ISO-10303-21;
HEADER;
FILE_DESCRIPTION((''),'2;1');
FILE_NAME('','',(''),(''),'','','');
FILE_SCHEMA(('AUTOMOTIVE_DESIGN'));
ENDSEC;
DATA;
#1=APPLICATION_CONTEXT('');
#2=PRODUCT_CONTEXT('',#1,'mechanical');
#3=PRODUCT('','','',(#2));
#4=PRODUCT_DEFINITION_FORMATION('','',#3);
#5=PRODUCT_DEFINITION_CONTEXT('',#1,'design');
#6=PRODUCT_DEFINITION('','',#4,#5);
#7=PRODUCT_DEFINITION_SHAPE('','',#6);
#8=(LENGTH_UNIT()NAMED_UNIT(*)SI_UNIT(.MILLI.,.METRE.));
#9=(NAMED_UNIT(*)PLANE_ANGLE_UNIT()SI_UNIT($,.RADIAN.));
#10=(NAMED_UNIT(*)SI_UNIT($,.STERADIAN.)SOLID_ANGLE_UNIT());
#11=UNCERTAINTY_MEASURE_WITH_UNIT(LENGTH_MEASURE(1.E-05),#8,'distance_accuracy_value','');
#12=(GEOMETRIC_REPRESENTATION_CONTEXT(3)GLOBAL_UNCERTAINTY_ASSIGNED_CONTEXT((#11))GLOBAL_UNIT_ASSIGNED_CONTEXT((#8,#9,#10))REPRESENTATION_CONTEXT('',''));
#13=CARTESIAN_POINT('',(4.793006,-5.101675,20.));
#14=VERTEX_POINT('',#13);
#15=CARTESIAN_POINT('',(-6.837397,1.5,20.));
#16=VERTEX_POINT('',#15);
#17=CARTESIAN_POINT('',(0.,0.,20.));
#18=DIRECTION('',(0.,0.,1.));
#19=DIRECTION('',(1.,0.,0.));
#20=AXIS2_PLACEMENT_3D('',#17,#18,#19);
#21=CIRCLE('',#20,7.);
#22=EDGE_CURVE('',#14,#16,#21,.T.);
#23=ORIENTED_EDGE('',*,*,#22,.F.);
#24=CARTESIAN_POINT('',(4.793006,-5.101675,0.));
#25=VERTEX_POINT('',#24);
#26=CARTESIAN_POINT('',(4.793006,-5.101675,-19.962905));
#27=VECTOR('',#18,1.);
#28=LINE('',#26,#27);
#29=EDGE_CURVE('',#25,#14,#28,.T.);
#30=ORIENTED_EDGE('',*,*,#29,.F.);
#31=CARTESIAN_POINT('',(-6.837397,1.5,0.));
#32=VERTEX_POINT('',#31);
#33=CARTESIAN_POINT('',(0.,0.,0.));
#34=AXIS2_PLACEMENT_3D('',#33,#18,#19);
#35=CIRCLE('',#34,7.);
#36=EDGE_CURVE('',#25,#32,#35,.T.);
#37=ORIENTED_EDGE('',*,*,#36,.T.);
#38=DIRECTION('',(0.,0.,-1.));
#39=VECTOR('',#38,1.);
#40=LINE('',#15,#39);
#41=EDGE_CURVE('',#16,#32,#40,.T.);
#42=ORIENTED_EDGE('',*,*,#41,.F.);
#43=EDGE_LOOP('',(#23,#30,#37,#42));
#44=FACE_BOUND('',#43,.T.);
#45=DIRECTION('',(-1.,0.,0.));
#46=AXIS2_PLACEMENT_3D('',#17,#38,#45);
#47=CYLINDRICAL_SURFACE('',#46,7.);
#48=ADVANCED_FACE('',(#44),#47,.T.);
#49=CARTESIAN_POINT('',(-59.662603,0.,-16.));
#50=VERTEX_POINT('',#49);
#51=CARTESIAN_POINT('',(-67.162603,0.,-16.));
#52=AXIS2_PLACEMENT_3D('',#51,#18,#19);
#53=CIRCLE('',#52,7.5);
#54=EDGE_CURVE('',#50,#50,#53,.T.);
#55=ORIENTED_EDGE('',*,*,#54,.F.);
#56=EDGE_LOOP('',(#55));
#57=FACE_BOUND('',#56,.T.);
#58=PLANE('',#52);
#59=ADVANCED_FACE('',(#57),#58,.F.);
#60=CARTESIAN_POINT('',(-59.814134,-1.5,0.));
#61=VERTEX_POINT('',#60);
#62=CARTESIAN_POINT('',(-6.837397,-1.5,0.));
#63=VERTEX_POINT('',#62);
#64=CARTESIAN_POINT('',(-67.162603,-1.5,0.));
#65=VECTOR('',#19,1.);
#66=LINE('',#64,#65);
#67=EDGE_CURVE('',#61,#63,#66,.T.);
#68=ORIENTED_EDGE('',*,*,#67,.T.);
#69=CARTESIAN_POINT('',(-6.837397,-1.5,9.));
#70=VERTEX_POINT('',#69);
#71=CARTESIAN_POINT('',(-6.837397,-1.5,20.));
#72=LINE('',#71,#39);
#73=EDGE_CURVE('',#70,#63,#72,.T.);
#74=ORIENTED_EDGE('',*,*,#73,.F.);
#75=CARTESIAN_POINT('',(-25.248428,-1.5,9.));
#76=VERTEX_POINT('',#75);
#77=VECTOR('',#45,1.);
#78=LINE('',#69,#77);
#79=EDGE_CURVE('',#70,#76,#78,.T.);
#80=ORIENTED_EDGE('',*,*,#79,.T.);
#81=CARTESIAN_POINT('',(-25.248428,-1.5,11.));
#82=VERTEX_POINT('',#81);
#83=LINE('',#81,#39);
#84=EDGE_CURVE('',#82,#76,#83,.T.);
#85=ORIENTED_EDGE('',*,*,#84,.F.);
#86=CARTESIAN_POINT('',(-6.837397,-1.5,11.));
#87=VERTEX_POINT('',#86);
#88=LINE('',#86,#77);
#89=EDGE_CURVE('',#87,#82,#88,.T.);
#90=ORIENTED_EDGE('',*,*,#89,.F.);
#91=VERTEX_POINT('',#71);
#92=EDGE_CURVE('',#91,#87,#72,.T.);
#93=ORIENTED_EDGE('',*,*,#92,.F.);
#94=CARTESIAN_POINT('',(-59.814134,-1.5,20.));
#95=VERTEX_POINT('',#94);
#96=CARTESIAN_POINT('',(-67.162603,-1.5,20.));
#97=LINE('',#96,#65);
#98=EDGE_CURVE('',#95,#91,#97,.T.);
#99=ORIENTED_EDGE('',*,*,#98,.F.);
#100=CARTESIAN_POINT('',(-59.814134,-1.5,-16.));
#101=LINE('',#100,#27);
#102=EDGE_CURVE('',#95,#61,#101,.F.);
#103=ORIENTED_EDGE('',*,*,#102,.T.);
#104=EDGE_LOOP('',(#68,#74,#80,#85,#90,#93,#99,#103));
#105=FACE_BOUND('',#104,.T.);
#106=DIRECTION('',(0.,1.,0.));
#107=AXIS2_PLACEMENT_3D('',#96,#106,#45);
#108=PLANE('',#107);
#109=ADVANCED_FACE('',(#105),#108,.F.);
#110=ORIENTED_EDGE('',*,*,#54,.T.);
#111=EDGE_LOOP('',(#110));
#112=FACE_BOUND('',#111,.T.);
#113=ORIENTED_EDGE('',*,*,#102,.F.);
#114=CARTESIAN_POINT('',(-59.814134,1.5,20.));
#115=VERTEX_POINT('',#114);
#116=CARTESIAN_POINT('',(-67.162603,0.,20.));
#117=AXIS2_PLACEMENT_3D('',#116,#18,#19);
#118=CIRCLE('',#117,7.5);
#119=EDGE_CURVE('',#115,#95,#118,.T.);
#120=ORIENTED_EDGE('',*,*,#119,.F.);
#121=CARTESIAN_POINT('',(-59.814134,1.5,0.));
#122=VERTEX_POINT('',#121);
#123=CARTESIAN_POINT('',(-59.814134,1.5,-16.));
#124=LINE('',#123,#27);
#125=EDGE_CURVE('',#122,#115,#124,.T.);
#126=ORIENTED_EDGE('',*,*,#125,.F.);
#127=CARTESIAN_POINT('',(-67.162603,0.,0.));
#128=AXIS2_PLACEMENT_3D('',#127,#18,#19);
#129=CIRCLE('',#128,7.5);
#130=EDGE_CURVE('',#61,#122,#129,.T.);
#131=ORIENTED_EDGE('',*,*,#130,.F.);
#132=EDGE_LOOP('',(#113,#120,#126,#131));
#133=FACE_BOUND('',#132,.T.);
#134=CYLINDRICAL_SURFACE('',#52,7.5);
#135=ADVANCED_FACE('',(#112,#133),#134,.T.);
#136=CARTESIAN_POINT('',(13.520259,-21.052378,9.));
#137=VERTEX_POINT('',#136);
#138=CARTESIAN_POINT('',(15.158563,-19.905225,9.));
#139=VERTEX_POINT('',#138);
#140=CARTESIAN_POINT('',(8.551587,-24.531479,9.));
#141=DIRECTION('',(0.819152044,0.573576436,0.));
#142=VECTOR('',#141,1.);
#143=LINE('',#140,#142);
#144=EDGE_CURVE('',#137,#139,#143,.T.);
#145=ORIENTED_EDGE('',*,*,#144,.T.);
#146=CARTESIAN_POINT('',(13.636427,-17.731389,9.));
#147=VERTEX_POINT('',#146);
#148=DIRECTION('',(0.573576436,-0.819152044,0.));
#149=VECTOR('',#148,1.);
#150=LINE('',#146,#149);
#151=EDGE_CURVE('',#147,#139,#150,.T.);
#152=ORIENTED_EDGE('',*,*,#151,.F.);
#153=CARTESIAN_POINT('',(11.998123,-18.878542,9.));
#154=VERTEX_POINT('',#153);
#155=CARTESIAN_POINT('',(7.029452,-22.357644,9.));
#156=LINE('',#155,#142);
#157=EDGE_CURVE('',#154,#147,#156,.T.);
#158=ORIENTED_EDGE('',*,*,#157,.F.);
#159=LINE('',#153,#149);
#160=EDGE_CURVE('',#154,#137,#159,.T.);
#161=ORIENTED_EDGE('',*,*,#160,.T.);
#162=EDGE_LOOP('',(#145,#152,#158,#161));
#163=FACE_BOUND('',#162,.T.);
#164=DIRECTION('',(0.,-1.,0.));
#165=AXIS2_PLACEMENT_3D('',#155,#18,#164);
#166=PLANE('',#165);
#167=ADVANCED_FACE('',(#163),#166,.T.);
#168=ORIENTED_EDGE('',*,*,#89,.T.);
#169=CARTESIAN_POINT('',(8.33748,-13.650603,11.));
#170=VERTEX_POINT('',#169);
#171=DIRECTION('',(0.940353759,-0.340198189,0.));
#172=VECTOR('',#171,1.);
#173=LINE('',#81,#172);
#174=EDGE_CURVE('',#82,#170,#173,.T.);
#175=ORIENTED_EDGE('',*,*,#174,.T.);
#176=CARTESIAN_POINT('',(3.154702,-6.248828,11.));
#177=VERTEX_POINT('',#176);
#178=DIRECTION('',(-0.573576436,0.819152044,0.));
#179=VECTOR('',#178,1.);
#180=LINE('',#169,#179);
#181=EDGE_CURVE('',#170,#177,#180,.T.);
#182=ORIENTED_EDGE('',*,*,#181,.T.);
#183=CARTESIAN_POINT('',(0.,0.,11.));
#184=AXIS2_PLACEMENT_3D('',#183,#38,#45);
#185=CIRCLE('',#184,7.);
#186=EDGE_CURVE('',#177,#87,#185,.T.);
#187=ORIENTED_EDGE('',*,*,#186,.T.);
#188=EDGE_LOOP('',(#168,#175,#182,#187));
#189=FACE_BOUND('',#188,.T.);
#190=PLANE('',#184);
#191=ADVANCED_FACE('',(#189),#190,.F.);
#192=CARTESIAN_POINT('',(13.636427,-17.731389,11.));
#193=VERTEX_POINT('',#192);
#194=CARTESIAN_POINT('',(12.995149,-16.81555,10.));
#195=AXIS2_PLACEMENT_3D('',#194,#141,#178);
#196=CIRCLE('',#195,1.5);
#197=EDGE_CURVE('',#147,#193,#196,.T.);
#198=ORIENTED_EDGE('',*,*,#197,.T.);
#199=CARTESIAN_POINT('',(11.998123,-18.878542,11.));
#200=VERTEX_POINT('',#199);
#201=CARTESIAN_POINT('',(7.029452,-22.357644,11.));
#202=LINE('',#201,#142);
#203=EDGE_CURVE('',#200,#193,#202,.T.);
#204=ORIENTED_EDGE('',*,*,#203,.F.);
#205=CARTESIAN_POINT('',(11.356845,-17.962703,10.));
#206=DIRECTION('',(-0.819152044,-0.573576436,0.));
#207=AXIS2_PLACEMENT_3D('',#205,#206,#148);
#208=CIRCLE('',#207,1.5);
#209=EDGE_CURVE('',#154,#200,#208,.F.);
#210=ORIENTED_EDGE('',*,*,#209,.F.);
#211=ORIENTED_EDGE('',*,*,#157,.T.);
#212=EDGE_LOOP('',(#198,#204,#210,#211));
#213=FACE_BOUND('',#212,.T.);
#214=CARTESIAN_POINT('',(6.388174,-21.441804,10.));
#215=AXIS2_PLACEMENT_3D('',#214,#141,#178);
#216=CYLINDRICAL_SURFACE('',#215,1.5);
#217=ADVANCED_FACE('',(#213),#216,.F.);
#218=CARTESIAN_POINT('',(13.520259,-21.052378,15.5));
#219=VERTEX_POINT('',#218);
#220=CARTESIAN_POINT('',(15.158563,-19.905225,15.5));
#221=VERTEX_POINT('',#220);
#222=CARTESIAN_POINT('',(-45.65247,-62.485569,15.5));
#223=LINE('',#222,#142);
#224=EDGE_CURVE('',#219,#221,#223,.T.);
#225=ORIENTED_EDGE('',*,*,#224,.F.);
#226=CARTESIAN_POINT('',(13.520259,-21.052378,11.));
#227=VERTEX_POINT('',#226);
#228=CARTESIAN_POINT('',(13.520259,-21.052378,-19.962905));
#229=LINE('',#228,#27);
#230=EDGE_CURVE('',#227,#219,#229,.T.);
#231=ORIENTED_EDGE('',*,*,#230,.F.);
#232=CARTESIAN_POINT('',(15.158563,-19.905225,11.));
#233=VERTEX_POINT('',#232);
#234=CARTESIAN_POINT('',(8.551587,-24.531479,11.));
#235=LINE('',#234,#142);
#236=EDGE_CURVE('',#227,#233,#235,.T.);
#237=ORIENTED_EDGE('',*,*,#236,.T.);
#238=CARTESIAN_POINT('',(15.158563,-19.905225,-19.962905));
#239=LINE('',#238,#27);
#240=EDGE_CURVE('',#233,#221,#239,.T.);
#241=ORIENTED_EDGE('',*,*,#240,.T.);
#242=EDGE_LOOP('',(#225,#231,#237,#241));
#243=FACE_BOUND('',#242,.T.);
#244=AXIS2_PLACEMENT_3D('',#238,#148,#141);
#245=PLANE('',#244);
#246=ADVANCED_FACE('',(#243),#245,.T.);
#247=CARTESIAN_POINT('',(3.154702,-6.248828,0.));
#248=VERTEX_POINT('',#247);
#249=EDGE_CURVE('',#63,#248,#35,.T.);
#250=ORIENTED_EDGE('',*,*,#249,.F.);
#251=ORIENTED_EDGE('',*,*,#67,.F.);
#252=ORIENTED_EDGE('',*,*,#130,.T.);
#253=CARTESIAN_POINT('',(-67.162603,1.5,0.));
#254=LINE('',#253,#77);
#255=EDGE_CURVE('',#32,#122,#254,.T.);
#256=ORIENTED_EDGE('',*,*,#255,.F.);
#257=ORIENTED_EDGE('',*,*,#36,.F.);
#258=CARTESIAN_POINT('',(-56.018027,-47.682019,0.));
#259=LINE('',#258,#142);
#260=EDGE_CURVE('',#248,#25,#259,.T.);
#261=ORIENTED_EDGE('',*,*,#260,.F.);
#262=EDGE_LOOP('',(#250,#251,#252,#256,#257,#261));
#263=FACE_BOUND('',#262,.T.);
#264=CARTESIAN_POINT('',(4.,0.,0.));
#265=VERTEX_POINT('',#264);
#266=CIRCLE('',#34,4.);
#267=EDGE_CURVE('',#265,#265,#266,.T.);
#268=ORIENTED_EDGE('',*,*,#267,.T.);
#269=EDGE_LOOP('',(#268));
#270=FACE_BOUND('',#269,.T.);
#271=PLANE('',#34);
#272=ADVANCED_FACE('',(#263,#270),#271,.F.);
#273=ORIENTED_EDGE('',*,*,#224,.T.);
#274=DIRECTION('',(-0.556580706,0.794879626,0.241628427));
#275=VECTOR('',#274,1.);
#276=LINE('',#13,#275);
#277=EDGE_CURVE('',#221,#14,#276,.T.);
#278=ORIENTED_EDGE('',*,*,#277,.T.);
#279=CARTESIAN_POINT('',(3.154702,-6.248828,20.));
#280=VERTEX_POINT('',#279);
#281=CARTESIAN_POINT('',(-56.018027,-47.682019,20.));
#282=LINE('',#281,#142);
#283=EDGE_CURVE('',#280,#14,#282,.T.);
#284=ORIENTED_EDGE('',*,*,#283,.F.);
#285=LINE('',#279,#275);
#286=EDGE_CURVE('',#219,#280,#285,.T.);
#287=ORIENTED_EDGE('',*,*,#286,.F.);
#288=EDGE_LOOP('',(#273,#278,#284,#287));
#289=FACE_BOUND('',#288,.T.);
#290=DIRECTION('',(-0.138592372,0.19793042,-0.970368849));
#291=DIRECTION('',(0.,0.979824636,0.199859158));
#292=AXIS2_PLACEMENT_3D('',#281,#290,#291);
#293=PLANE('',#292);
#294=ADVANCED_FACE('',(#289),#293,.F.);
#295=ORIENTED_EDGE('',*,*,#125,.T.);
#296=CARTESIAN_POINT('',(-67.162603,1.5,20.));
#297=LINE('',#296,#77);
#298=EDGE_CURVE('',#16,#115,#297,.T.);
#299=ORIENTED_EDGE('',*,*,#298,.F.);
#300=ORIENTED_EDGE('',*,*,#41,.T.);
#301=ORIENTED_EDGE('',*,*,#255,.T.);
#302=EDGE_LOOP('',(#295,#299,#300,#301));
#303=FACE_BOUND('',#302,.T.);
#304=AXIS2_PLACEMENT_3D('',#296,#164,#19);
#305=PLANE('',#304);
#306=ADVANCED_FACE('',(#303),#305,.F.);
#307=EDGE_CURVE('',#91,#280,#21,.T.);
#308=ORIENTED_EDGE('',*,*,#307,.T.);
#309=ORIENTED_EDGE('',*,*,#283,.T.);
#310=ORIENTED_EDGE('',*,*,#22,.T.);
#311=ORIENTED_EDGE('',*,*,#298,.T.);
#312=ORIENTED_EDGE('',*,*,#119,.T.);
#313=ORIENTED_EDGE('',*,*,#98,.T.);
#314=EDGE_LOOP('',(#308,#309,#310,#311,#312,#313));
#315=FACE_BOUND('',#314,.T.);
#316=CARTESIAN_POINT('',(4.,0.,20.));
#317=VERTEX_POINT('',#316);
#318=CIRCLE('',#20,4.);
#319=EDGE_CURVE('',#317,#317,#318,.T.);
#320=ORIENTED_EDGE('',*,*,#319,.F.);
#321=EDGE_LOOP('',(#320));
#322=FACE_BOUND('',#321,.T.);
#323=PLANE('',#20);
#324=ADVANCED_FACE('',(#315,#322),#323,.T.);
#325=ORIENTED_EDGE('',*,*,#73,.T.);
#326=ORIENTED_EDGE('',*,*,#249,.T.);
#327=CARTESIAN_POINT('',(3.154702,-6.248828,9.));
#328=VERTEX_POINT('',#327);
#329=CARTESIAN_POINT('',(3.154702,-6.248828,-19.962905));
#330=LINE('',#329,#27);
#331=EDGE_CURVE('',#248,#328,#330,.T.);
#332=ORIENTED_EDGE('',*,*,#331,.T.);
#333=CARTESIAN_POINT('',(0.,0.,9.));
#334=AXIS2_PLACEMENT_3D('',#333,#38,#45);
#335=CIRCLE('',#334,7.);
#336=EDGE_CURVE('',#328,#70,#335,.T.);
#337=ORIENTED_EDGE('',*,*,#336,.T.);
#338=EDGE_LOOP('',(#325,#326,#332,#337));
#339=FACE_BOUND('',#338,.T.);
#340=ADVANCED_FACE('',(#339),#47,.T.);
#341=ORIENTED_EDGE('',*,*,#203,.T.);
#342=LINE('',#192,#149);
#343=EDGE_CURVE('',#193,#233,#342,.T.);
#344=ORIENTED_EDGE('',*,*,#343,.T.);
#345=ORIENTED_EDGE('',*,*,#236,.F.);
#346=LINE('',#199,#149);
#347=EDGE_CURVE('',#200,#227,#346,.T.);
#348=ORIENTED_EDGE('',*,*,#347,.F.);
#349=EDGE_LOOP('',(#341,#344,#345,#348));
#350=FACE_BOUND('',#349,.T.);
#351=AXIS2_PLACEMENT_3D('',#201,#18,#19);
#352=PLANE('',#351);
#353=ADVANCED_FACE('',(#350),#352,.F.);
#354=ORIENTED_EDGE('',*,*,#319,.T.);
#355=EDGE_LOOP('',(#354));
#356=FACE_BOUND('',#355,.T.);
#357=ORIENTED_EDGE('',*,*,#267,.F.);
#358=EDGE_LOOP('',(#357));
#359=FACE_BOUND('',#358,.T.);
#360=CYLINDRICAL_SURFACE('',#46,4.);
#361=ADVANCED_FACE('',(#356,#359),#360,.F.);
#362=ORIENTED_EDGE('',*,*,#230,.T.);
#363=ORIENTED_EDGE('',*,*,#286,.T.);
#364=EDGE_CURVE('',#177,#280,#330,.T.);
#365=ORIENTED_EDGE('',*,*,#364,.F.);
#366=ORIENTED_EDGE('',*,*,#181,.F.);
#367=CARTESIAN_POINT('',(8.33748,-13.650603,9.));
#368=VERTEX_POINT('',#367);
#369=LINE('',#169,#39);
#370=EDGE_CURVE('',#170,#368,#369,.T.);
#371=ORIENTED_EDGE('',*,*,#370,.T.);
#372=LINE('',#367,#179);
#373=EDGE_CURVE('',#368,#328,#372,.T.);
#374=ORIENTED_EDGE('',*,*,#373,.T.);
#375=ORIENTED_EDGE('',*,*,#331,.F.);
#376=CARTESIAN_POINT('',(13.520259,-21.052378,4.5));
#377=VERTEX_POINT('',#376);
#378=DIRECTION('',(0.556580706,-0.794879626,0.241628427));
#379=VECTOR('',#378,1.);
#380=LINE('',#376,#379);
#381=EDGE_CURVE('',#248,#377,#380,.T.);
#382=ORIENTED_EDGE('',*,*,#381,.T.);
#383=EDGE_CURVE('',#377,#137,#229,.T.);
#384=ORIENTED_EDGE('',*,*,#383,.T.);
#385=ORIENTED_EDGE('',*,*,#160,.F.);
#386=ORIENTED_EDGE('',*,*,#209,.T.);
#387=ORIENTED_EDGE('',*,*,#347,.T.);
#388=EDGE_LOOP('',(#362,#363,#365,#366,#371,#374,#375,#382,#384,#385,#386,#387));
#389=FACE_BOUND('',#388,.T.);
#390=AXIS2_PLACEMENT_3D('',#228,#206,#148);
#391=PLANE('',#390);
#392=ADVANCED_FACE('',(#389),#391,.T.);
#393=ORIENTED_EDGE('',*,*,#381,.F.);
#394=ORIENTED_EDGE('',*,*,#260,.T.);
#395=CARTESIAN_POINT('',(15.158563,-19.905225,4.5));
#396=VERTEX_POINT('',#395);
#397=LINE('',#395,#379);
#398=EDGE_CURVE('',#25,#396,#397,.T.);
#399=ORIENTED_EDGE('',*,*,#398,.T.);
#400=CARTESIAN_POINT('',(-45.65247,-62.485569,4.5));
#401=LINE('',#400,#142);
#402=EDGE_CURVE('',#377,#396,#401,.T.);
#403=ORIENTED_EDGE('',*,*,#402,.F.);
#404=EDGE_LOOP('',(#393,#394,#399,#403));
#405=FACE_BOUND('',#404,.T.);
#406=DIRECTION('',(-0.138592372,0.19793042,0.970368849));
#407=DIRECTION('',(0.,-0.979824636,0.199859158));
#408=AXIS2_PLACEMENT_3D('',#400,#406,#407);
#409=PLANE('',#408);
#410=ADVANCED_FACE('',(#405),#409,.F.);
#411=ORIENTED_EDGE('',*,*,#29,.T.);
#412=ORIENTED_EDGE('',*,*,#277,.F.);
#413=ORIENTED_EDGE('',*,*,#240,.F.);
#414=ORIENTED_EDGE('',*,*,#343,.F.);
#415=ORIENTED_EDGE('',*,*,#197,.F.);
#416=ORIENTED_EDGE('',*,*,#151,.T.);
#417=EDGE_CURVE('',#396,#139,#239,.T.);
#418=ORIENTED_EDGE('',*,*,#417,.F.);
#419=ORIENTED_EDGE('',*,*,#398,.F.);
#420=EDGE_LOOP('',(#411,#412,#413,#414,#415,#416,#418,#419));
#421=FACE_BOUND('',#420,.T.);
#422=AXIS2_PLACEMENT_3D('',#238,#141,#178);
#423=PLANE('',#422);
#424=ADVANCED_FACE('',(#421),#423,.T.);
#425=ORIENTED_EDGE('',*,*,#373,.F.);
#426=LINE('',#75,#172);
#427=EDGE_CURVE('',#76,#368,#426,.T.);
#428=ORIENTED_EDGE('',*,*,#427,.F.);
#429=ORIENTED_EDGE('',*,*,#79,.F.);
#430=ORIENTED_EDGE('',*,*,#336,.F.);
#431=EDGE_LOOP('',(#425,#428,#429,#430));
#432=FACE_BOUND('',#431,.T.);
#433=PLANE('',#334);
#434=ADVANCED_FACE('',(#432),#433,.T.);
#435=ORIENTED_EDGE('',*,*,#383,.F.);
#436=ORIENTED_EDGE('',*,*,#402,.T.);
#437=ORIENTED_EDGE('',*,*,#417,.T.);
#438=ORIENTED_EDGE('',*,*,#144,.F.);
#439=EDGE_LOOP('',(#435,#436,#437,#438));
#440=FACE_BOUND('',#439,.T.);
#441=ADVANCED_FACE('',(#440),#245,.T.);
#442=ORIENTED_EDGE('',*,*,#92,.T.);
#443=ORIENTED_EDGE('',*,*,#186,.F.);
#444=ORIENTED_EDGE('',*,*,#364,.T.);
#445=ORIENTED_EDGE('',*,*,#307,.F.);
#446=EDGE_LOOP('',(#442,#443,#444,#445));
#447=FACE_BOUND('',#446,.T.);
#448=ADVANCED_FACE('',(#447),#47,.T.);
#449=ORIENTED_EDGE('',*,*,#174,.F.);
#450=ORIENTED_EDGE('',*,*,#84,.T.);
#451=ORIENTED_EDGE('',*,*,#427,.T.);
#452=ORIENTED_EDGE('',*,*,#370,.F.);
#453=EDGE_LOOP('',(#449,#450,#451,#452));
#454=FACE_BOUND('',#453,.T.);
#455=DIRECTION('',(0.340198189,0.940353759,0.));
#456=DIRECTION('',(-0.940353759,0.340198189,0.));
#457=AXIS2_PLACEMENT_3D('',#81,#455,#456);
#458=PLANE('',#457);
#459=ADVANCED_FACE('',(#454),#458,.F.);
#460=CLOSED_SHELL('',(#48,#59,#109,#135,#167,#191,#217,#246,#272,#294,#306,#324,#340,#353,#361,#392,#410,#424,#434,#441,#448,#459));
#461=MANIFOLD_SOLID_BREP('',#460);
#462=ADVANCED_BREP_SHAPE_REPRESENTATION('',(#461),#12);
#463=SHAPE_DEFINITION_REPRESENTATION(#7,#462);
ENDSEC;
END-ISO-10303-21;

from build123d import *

# Parameters (mm, degrees)
SKETCH2_R           = 4
BOSS_EXTRUDE1_DEPTH = 20
SKETCH3_R           = 7.5
BOSS_EXTRUDE2_DEPTH = 36
BOSS_EXTRUDE3_START = -20
BOSS_EXTRUDE3_DEPTH = 20
CUT_EXTRUDE1_DEPTH  = 2
CUT_EXTRUDE2_REACH  = 83.026
BOSS_EXTRUDE4_DEPTH = 2


with BuildPart() as part:
    # Sketch2 → Boss-Extrude1 (new body)
    with BuildSketch(Plane.XY):
        with BuildLine():
            Line((-67.162602834, 1.5), (-6.837397166, 1.5))
            ThreePointArc((-6.837397166, 1.5), (7, 0), (-6.837397166, -1.5))
            Line((-6.837397166, -1.5), (-67.162602834, -1.5))
            Line((-67.162602834, -1.5), (-67.162602834, 1.5))
        make_face()
        Circle(SKETCH2_R, mode=Mode.SUBTRACT)
    extrude(amount=BOSS_EXTRUDE1_DEPTH)

    # Sketch3 → Boss-Extrude2 (add)
    with BuildSketch(Plane.XY.offset(20)):
        with Locations((-67.162602834, 0)):
            Circle(SKETCH3_R)
    extrude(amount=-BOSS_EXTRUDE2_DEPTH)

    # Sketch4 → Boss-Extrude3 (add)
    with BuildSketch(Plane.XY.offset(20).offset(BOSS_EXTRUDE3_START)):
        with BuildLine():
            Line((15.158562953, -19.905224671), (13.520258864, -21.052377544))
            Line((13.520258864, -21.052377544), (3.154702075, -6.248828276))
            ThreePointArc((3.154702075, -6.248828276), (4.015035054, -5.73406431), (4.793006163, -5.101675403))
            Line((4.793006163, -5.101675403), (15.158562953, -19.905224671))
        make_face()
    extrude(amount=BOSS_EXTRUDE3_DEPTH)

    # Sketch5 → Cut-Extrude1 (cut)
    with BuildSketch(Plane(origin=(0.8191520442889967, 0.5735764363510467, 0), x_dir=(0, 0, -1), z_dir=(0.8191520442889931, 0.5735764363510442, 0))):
        with BuildLine():
            Line((-11, -22.346237219), (-11, -25))
            Line((-11, -25), (-9, -25))
            Line((-9, -25), (-9, -22.346237219))
            ThreePointArc((-9, -22.346237219), (-10, -19.72820323), (-11, -22.346237219))
        make_face()
    extrude(amount=-CUT_EXTRUDE1_DEPTH, mode=Mode.SUBTRACT)

    # Sketch6 → Cut-Extrude2 (cut, up to next)
    with BuildSketch(Plane(origin=(0.8191520442889967, 0.5735764363510467, 0), x_dir=(0, 0, -1), z_dir=(0.8191520442889931, 0.5735764363510442, 0)), mode=Mode.PRIVATE) as cut_extrude2_sk1:
        Polygon((-20, -6.92820323), (-15.5, -25), (-21.37977423, -25), (-21.37977423, -6.621098629), align=None)
    cut_extrude2_tool1 = extrude(cut_extrude2_sk1.sketch, amount=-CUT_EXTRUDE2_REACH, mode=Mode.PRIVATE) & part.part
    # Sketch6 → Cut-Extrude2 (cut, up to next)
    with BuildSketch(Plane(origin=(0.8191520442889967, 0.5735764363510467, 0), x_dir=(0, 0, -1), z_dir=(0.8191520442889931, 0.5735764363510442, 0)), mode=Mode.PRIVATE) as cut_extrude2_sk2:
        Polygon((0, -6.92820323), (1.41409792, -6.92820323), (1.41409792, -25), (-4.5, -25), align=None)
    cut_extrude2_tool2 = extrude(cut_extrude2_sk2.sketch, amount=-CUT_EXTRUDE2_REACH, mode=Mode.PRIVATE) & part.part
    add(cut_extrude2_tool1.solids().sort_by_distance((11.026351, -14.003814, 19.337545))[0], mode=Mode.SUBTRACT)
    add(cut_extrude2_tool2.solids().sort_by_distance((11.036642, -14.018511, 0.648226))[0], mode=Mode.SUBTRACT)

    # Sketch7 → Boss-Extrude4 (add)
    with BuildSketch(Plane.XY.offset(9)):
        Polygon((-25.248427633, -1.5), (8.33748047, -13.65060291), (3.154702075, -6.248828276), (-6.837397166, -1.5), align=None)
    extrude(amount=BOSS_EXTRUDE4_DEPTH)


solid = part.part
